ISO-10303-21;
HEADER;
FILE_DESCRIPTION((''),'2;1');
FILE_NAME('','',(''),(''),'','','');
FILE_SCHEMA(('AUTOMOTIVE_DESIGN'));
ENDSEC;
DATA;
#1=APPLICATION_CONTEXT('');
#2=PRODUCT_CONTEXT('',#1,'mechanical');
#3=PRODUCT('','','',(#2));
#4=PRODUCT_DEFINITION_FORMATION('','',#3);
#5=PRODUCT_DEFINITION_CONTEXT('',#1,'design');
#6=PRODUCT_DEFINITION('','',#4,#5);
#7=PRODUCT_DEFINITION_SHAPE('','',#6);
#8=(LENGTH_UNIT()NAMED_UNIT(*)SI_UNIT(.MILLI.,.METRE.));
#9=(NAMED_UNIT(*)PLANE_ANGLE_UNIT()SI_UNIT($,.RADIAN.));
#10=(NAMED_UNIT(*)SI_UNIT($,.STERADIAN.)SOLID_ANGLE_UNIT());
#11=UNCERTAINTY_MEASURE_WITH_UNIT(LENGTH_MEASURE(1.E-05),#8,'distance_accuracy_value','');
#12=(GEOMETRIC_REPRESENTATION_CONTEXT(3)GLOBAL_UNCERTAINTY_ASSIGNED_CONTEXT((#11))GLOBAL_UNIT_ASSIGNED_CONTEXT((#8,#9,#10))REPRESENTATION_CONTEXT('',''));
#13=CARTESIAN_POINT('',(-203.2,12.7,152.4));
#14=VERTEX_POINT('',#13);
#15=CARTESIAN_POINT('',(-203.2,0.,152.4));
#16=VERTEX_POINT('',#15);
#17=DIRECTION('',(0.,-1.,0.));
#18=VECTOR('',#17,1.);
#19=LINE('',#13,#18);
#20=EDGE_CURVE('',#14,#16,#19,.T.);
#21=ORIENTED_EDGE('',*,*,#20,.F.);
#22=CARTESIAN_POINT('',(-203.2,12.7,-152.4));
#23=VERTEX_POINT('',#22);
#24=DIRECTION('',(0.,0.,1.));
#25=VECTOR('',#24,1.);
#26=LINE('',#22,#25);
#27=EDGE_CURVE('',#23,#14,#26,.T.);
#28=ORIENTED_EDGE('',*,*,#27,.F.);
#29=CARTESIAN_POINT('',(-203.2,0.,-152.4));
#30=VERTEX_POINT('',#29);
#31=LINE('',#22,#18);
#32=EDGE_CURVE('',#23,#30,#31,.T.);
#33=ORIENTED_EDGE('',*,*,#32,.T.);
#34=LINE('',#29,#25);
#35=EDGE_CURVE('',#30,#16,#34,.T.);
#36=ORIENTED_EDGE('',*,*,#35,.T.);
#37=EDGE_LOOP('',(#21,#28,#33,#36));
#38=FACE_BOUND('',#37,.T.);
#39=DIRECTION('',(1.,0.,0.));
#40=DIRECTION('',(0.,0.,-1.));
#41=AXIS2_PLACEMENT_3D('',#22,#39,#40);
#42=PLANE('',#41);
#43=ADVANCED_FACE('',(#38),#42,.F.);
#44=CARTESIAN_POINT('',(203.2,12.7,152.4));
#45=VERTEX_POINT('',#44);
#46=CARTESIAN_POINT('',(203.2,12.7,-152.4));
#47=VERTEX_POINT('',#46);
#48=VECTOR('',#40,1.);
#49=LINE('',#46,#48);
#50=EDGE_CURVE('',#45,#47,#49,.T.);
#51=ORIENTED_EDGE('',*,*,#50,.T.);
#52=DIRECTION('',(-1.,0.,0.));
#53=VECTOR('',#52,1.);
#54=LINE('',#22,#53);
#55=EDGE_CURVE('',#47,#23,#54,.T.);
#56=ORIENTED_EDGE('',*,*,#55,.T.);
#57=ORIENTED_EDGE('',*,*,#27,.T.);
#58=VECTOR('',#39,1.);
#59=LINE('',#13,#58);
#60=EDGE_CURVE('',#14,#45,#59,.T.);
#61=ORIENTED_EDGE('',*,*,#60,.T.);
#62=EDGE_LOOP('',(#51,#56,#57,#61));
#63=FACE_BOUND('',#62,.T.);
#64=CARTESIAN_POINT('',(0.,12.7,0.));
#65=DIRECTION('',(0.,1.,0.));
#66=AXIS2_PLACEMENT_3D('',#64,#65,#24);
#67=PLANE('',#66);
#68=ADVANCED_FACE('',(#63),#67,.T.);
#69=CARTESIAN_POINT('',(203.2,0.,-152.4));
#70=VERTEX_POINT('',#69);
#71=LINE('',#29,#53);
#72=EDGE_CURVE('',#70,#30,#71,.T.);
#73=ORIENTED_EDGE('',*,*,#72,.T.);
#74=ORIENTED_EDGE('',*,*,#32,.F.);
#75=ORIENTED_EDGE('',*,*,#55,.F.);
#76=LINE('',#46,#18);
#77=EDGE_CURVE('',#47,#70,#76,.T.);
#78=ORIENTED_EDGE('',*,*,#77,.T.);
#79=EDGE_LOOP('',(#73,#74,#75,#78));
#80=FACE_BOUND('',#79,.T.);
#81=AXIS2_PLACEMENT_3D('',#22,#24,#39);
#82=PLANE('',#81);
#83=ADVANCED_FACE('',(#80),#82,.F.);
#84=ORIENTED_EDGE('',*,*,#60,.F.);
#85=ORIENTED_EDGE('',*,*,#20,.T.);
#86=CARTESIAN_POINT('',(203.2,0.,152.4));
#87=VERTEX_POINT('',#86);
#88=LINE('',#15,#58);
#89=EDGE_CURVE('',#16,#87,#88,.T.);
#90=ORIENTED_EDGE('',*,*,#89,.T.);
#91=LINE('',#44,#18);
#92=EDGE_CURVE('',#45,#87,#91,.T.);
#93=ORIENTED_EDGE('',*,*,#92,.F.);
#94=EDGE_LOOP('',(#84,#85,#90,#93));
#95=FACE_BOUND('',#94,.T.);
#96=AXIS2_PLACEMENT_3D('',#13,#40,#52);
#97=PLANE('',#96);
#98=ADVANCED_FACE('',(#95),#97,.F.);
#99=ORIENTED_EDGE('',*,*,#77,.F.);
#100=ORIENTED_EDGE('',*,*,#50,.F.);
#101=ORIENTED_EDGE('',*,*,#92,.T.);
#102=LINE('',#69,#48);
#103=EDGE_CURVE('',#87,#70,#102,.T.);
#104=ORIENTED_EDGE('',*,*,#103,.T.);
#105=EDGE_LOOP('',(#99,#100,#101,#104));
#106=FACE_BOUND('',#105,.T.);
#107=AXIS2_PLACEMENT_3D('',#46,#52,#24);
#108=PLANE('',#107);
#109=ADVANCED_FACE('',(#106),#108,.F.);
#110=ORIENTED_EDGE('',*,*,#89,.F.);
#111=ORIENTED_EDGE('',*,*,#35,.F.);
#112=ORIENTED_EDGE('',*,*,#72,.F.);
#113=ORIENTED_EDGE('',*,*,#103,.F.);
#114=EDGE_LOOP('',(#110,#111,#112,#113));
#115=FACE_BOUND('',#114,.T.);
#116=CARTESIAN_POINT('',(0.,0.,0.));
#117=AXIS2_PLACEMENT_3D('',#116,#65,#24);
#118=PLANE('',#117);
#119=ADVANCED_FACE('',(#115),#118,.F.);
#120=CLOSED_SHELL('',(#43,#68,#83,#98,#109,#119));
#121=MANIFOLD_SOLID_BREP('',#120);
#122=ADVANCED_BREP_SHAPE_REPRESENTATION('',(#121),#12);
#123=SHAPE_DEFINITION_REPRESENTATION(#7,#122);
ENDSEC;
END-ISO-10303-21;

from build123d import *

# Parameters (mm, degrees)
SKETCH1_W           = 406.4
SKETCH1_H           = 304.8
BOSS_EXTRUDE1_DEPTH = 12.7


with BuildPart() as part:
    # Sketch1 → Boss-Extrude1 (new body)
    with BuildSketch(Plane(origin=(0, 0, 0), x_dir=(1, 0, 0), z_dir=(0, 1, 0))):
        Rectangle(SKETCH1_W, SKETCH1_H)
    extrude(amount=BOSS_EXTRUDE1_DEPTH)


solid = part.part
